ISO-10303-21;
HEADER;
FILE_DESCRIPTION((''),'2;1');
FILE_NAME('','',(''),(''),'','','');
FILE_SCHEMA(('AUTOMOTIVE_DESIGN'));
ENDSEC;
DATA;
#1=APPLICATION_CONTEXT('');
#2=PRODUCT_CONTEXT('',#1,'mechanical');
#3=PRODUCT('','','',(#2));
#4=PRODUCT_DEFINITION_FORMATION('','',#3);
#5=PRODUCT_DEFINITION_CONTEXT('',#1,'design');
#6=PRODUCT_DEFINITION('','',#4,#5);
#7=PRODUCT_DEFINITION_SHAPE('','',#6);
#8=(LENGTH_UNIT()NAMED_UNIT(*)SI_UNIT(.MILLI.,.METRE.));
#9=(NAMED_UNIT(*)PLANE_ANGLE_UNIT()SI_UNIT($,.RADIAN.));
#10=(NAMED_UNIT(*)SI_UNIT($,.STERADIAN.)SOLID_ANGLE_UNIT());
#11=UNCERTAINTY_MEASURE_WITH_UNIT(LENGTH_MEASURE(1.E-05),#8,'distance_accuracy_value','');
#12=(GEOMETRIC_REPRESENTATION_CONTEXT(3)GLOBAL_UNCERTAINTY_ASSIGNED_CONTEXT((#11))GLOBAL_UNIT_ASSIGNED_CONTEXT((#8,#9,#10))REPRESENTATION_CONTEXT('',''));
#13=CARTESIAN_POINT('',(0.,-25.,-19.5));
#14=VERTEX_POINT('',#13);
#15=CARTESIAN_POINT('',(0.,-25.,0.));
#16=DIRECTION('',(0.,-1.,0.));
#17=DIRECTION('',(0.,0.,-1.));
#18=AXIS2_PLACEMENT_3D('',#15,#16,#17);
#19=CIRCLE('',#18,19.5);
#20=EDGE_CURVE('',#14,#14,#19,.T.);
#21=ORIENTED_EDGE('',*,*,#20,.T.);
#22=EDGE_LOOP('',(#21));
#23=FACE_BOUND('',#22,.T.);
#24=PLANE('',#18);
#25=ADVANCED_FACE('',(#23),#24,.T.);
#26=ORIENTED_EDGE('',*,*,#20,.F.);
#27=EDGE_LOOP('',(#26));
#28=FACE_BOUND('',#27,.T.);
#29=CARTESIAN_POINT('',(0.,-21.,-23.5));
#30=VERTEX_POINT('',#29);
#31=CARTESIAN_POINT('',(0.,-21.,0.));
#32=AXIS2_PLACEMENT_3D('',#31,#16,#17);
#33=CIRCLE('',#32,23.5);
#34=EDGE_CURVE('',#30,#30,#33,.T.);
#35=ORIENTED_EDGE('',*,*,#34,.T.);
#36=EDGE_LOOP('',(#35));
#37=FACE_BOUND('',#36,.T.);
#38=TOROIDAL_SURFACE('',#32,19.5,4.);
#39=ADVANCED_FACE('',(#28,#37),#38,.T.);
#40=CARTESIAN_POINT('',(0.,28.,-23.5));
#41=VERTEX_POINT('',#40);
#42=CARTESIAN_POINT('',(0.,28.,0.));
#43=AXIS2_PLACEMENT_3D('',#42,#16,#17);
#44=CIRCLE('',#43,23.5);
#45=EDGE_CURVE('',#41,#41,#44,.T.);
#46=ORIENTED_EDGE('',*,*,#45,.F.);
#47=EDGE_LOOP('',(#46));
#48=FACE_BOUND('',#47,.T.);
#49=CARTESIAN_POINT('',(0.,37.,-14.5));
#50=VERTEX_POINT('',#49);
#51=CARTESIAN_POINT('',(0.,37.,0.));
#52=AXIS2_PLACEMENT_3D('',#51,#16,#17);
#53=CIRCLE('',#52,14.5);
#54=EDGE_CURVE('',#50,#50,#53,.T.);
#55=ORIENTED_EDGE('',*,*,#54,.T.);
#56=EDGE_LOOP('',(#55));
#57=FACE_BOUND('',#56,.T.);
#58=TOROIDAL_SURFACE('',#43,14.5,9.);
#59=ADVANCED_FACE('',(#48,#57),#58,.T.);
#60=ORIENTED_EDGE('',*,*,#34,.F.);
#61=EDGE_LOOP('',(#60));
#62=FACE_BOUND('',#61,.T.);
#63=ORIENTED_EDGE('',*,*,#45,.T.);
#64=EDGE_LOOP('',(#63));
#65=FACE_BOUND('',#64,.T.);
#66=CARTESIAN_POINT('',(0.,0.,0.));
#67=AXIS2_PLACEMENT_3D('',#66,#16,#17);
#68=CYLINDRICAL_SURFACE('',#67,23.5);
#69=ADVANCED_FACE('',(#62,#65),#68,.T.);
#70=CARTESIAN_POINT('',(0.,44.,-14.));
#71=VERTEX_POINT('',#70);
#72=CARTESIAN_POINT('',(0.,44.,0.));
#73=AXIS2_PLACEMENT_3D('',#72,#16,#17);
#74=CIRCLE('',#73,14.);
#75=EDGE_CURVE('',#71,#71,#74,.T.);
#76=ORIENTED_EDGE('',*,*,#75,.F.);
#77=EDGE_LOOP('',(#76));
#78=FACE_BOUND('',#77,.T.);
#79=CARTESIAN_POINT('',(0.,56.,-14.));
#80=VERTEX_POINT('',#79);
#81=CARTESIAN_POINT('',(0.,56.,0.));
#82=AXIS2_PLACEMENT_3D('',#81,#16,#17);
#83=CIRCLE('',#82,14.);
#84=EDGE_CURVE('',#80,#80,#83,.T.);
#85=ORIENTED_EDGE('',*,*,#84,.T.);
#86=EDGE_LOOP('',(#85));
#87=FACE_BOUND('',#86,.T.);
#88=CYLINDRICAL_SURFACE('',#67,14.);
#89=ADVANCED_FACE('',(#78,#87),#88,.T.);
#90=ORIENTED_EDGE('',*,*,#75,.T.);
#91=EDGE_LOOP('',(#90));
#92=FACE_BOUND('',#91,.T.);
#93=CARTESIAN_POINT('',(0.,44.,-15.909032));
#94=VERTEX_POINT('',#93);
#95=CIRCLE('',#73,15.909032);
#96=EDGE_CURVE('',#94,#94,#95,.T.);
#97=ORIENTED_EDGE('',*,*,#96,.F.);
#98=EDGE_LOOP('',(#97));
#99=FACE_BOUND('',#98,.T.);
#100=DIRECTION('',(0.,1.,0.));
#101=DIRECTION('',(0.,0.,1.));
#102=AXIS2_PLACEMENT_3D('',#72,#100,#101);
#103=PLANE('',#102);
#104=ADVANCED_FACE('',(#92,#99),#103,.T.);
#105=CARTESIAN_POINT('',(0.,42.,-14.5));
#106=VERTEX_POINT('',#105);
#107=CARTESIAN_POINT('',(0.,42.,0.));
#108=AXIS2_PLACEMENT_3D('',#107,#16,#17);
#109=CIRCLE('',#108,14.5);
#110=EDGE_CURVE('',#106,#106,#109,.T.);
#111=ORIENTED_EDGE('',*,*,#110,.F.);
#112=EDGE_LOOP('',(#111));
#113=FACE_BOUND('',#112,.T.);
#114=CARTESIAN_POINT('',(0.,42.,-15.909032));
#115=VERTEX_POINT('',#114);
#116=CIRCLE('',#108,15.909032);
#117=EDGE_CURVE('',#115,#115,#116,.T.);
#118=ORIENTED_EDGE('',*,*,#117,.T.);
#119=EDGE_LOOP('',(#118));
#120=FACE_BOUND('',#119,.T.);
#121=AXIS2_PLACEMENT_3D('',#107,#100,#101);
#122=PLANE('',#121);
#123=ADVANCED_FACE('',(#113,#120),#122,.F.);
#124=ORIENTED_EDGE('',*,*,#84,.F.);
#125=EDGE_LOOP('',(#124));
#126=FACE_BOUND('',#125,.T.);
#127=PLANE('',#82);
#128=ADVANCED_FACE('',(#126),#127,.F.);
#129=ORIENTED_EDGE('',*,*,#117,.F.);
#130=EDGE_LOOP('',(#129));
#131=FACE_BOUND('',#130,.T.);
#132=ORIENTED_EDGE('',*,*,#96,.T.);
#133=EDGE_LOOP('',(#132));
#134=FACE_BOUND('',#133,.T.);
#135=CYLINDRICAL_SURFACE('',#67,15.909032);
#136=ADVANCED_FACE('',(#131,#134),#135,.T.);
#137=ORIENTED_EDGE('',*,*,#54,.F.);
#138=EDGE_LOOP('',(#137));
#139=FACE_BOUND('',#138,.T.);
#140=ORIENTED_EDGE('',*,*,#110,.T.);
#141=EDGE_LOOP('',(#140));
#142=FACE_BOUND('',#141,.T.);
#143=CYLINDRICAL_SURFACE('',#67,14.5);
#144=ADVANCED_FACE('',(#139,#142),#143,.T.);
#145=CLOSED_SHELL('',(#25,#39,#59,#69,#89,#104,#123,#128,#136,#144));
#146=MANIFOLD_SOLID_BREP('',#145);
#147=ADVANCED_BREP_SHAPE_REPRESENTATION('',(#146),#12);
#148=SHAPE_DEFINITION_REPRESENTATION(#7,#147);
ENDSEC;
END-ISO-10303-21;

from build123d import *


with BuildPart() as part:
    # 草图1 → 旋转1 (revolve)
    with BuildSketch(Plane.XY, mode=Mode.PRIVATE) as revolve_1_sk:
        with BuildLine():
            Line((0, 56), (0, -25))
            Line((0, -25), (19.5, -25))
            ThreePointArc((19.5, -25), (22.328427125, -23.828427125), (23.5, -21))
            Line((23.5, -21), (23.5, 25))
            Line((23.5, 25), (23.5, 28))
            ThreePointArc((23.5, 28), (20.863961031, 34.363961031), (14.5, 37))
            Line((14.5, 37), (14.5, 42))
            Line((14.5, 42), (15.90903206, 42))
            Line((15.90903206, 42), (15.90903206, 44))
            Line((15.90903206, 44), (14, 44))
            Line((14, 44), (14, 56))
            Line((14, 56), (0, 56))
        make_face()
    revolve(revolve_1_sk.sketch.rotate(Axis((0, 0, 0), (0, 1, 0)), 90), axis=Axis((0, 0, 0), (0, 1, 0)))


solid = part.part
